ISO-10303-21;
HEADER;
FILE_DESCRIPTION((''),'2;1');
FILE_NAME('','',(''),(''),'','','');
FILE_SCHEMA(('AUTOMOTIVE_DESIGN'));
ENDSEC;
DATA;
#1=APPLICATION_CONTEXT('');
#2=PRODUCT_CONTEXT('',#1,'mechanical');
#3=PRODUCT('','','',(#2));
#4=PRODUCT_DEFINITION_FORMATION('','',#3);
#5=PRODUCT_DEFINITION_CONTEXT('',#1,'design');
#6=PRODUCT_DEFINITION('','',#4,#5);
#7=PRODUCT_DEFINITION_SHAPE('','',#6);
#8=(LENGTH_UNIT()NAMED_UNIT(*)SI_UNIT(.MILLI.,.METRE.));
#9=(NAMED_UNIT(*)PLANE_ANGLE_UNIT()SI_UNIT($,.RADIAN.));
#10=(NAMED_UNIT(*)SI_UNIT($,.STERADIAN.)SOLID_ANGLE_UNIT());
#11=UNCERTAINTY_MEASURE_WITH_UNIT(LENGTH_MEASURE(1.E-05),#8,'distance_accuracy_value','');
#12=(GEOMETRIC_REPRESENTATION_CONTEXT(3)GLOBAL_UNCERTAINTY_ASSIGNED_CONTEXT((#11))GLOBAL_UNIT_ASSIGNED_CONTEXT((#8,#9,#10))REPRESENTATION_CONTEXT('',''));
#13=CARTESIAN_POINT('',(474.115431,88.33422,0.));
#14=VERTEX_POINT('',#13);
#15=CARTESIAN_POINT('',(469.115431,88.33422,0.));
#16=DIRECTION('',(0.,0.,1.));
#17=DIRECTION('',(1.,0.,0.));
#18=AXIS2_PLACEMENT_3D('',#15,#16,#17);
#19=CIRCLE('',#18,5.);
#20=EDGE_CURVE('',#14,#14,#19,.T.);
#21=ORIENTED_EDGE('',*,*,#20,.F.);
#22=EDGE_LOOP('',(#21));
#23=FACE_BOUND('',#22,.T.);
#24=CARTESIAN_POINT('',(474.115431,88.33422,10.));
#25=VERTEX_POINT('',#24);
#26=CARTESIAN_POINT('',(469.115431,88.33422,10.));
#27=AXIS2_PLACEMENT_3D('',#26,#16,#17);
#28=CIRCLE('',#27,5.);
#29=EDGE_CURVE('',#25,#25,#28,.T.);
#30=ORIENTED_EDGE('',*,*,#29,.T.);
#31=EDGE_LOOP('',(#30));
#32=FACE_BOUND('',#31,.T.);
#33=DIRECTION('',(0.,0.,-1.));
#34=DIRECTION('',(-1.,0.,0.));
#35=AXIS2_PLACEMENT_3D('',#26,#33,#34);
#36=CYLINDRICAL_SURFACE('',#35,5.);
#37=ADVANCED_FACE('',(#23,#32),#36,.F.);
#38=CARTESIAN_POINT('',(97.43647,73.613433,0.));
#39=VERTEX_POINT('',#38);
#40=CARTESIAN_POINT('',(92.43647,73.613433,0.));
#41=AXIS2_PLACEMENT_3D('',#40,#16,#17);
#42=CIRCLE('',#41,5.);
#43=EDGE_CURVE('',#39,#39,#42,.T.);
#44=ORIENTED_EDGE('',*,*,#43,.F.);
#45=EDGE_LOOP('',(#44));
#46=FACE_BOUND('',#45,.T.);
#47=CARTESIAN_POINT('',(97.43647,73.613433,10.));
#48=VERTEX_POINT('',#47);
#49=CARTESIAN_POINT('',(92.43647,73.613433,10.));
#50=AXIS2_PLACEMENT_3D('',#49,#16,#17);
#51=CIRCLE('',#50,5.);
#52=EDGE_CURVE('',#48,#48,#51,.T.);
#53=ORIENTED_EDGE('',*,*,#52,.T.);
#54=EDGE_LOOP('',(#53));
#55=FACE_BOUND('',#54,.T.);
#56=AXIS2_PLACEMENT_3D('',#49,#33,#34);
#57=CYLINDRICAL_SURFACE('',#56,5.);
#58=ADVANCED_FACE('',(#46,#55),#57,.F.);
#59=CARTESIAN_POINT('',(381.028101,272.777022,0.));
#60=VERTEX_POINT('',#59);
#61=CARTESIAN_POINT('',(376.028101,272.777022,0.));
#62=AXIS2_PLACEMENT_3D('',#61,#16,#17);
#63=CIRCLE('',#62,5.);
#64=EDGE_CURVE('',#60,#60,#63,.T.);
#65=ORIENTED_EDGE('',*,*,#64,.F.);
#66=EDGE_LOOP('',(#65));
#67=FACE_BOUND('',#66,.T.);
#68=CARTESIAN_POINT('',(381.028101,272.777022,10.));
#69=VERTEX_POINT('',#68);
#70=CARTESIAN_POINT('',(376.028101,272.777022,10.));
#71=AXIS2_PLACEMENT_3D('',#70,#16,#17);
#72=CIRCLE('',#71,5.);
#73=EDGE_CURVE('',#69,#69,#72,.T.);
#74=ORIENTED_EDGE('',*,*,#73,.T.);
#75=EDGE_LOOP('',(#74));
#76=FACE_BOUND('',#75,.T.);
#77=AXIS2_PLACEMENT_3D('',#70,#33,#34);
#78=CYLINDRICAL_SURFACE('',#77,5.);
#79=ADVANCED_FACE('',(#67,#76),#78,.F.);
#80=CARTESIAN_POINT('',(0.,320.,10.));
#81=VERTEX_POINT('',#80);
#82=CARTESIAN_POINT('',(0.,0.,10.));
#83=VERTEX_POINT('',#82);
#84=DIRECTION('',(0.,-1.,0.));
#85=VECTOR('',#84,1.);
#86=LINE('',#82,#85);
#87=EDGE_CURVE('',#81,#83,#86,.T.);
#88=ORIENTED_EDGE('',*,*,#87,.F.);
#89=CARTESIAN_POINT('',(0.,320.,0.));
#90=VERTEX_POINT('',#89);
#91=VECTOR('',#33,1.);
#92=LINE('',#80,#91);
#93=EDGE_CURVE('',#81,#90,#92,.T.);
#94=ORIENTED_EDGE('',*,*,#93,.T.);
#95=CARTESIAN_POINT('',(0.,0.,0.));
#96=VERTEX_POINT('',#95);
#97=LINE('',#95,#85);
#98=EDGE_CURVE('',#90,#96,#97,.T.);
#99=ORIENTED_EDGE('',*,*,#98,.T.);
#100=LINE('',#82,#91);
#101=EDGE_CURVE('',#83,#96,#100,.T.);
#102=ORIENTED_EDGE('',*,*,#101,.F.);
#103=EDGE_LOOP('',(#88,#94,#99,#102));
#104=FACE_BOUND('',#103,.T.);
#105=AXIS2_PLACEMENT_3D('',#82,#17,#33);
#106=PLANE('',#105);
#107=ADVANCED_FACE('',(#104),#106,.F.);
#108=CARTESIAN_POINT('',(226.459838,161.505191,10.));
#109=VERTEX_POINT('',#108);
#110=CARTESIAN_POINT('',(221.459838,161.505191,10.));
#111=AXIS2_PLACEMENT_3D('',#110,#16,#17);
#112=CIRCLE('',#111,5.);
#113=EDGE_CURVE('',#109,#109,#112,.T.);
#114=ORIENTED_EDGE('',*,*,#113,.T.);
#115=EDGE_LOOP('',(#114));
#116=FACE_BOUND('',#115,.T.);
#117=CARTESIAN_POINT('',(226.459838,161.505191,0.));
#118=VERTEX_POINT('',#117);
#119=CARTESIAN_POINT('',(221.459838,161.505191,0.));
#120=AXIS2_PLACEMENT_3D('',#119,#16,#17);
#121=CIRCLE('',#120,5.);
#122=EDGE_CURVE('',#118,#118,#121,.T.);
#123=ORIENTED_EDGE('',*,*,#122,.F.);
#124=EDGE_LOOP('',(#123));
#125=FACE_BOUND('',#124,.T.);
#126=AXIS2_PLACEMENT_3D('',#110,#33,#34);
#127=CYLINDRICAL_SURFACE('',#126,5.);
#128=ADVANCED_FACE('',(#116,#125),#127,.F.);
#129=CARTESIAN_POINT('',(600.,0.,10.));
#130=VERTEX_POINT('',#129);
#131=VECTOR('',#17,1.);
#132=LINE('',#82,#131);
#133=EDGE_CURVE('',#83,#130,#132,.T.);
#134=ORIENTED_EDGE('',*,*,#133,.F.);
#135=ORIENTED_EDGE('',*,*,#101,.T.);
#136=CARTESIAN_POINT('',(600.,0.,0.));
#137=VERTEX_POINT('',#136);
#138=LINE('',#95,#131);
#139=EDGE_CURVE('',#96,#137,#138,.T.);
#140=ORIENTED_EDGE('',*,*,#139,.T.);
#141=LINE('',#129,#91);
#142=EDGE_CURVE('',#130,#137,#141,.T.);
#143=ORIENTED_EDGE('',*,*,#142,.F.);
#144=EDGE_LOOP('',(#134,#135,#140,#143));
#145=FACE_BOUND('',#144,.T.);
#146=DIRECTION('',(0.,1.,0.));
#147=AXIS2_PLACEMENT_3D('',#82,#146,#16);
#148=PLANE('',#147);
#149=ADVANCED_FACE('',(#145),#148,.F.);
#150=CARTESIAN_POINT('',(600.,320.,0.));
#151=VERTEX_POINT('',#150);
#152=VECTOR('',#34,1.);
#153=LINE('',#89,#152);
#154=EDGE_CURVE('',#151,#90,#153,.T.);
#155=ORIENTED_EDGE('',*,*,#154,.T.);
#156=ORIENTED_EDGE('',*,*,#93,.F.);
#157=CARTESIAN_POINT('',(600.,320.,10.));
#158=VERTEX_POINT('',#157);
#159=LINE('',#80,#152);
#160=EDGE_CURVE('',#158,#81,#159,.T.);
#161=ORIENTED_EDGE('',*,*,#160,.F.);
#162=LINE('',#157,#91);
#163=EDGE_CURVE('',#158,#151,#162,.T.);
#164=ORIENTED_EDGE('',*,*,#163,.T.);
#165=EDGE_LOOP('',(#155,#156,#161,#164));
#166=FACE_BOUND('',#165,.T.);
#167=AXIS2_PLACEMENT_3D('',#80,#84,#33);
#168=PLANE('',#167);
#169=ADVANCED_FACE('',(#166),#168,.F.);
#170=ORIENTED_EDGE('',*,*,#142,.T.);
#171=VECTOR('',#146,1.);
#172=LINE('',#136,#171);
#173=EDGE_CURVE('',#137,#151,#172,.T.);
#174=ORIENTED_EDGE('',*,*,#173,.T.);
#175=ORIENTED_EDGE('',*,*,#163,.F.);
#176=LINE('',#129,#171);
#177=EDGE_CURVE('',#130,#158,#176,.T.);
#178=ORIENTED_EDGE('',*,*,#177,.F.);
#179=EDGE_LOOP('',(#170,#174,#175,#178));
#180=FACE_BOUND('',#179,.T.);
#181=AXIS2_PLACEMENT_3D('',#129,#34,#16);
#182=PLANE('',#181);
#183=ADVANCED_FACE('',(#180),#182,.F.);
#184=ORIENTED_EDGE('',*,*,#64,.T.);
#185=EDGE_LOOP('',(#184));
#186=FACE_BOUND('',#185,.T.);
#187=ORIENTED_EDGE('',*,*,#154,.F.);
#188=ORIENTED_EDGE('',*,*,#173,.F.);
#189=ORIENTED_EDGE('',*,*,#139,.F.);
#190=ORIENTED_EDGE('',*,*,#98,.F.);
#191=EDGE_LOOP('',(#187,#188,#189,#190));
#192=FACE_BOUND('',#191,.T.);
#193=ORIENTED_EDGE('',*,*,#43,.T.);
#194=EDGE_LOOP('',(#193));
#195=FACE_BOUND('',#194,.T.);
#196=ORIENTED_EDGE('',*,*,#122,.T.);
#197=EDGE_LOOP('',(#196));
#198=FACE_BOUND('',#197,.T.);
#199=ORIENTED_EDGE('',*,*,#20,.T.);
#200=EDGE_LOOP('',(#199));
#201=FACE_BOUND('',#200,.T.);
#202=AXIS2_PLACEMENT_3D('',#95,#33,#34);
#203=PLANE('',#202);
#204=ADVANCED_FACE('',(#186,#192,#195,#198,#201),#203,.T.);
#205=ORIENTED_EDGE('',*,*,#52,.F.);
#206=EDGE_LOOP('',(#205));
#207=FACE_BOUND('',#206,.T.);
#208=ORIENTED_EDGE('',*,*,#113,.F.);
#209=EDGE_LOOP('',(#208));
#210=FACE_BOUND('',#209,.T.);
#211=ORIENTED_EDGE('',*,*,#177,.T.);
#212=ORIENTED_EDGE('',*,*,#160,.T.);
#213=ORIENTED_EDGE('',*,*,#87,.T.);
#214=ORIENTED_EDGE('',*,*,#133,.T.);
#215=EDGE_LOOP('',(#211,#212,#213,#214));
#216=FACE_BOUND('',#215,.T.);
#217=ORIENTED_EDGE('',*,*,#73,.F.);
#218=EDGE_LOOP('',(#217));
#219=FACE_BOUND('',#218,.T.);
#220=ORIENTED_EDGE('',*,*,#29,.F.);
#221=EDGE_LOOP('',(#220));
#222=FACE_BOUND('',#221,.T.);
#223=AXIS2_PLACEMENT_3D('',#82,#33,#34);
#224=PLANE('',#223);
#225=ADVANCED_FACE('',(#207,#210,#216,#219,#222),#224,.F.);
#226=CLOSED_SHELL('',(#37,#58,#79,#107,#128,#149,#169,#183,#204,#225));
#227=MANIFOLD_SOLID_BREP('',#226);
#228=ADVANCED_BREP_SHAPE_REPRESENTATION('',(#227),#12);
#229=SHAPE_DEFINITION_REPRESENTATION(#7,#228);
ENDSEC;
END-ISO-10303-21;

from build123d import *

# Parameters (mm, degrees)
SKETCH1_W           = 600
SKETCH1_H           = 320
SKETCH1_R           = 5
BOSS_EXTRUDE1_DEPTH = 10


with BuildPart() as part:
    # Sketch1 → Boss-Extrude1 (new body)
    with BuildSketch(Plane.XY):
        with Locations((300, 160)):
            Rectangle(SKETCH1_W, SKETCH1_H)
        with Locations((221.459837978, 161.505190603)):
            Circle(SKETCH1_R, mode=Mode.SUBTRACT)
        with Locations((92.436469666, 73.613432994)):
            Circle(SKETCH1_R, mode=Mode.SUBTRACT)
        with Locations((376.028101358, 272.777021664)):
            Circle(SKETCH1_R, mode=Mode.SUBTRACT)
        with Locations((469.115430845, 88.334219983)):
            Circle(SKETCH1_R, mode=Mode.SUBTRACT)
    extrude(amount=BOSS_EXTRUDE1_DEPTH)


solid = part.part
